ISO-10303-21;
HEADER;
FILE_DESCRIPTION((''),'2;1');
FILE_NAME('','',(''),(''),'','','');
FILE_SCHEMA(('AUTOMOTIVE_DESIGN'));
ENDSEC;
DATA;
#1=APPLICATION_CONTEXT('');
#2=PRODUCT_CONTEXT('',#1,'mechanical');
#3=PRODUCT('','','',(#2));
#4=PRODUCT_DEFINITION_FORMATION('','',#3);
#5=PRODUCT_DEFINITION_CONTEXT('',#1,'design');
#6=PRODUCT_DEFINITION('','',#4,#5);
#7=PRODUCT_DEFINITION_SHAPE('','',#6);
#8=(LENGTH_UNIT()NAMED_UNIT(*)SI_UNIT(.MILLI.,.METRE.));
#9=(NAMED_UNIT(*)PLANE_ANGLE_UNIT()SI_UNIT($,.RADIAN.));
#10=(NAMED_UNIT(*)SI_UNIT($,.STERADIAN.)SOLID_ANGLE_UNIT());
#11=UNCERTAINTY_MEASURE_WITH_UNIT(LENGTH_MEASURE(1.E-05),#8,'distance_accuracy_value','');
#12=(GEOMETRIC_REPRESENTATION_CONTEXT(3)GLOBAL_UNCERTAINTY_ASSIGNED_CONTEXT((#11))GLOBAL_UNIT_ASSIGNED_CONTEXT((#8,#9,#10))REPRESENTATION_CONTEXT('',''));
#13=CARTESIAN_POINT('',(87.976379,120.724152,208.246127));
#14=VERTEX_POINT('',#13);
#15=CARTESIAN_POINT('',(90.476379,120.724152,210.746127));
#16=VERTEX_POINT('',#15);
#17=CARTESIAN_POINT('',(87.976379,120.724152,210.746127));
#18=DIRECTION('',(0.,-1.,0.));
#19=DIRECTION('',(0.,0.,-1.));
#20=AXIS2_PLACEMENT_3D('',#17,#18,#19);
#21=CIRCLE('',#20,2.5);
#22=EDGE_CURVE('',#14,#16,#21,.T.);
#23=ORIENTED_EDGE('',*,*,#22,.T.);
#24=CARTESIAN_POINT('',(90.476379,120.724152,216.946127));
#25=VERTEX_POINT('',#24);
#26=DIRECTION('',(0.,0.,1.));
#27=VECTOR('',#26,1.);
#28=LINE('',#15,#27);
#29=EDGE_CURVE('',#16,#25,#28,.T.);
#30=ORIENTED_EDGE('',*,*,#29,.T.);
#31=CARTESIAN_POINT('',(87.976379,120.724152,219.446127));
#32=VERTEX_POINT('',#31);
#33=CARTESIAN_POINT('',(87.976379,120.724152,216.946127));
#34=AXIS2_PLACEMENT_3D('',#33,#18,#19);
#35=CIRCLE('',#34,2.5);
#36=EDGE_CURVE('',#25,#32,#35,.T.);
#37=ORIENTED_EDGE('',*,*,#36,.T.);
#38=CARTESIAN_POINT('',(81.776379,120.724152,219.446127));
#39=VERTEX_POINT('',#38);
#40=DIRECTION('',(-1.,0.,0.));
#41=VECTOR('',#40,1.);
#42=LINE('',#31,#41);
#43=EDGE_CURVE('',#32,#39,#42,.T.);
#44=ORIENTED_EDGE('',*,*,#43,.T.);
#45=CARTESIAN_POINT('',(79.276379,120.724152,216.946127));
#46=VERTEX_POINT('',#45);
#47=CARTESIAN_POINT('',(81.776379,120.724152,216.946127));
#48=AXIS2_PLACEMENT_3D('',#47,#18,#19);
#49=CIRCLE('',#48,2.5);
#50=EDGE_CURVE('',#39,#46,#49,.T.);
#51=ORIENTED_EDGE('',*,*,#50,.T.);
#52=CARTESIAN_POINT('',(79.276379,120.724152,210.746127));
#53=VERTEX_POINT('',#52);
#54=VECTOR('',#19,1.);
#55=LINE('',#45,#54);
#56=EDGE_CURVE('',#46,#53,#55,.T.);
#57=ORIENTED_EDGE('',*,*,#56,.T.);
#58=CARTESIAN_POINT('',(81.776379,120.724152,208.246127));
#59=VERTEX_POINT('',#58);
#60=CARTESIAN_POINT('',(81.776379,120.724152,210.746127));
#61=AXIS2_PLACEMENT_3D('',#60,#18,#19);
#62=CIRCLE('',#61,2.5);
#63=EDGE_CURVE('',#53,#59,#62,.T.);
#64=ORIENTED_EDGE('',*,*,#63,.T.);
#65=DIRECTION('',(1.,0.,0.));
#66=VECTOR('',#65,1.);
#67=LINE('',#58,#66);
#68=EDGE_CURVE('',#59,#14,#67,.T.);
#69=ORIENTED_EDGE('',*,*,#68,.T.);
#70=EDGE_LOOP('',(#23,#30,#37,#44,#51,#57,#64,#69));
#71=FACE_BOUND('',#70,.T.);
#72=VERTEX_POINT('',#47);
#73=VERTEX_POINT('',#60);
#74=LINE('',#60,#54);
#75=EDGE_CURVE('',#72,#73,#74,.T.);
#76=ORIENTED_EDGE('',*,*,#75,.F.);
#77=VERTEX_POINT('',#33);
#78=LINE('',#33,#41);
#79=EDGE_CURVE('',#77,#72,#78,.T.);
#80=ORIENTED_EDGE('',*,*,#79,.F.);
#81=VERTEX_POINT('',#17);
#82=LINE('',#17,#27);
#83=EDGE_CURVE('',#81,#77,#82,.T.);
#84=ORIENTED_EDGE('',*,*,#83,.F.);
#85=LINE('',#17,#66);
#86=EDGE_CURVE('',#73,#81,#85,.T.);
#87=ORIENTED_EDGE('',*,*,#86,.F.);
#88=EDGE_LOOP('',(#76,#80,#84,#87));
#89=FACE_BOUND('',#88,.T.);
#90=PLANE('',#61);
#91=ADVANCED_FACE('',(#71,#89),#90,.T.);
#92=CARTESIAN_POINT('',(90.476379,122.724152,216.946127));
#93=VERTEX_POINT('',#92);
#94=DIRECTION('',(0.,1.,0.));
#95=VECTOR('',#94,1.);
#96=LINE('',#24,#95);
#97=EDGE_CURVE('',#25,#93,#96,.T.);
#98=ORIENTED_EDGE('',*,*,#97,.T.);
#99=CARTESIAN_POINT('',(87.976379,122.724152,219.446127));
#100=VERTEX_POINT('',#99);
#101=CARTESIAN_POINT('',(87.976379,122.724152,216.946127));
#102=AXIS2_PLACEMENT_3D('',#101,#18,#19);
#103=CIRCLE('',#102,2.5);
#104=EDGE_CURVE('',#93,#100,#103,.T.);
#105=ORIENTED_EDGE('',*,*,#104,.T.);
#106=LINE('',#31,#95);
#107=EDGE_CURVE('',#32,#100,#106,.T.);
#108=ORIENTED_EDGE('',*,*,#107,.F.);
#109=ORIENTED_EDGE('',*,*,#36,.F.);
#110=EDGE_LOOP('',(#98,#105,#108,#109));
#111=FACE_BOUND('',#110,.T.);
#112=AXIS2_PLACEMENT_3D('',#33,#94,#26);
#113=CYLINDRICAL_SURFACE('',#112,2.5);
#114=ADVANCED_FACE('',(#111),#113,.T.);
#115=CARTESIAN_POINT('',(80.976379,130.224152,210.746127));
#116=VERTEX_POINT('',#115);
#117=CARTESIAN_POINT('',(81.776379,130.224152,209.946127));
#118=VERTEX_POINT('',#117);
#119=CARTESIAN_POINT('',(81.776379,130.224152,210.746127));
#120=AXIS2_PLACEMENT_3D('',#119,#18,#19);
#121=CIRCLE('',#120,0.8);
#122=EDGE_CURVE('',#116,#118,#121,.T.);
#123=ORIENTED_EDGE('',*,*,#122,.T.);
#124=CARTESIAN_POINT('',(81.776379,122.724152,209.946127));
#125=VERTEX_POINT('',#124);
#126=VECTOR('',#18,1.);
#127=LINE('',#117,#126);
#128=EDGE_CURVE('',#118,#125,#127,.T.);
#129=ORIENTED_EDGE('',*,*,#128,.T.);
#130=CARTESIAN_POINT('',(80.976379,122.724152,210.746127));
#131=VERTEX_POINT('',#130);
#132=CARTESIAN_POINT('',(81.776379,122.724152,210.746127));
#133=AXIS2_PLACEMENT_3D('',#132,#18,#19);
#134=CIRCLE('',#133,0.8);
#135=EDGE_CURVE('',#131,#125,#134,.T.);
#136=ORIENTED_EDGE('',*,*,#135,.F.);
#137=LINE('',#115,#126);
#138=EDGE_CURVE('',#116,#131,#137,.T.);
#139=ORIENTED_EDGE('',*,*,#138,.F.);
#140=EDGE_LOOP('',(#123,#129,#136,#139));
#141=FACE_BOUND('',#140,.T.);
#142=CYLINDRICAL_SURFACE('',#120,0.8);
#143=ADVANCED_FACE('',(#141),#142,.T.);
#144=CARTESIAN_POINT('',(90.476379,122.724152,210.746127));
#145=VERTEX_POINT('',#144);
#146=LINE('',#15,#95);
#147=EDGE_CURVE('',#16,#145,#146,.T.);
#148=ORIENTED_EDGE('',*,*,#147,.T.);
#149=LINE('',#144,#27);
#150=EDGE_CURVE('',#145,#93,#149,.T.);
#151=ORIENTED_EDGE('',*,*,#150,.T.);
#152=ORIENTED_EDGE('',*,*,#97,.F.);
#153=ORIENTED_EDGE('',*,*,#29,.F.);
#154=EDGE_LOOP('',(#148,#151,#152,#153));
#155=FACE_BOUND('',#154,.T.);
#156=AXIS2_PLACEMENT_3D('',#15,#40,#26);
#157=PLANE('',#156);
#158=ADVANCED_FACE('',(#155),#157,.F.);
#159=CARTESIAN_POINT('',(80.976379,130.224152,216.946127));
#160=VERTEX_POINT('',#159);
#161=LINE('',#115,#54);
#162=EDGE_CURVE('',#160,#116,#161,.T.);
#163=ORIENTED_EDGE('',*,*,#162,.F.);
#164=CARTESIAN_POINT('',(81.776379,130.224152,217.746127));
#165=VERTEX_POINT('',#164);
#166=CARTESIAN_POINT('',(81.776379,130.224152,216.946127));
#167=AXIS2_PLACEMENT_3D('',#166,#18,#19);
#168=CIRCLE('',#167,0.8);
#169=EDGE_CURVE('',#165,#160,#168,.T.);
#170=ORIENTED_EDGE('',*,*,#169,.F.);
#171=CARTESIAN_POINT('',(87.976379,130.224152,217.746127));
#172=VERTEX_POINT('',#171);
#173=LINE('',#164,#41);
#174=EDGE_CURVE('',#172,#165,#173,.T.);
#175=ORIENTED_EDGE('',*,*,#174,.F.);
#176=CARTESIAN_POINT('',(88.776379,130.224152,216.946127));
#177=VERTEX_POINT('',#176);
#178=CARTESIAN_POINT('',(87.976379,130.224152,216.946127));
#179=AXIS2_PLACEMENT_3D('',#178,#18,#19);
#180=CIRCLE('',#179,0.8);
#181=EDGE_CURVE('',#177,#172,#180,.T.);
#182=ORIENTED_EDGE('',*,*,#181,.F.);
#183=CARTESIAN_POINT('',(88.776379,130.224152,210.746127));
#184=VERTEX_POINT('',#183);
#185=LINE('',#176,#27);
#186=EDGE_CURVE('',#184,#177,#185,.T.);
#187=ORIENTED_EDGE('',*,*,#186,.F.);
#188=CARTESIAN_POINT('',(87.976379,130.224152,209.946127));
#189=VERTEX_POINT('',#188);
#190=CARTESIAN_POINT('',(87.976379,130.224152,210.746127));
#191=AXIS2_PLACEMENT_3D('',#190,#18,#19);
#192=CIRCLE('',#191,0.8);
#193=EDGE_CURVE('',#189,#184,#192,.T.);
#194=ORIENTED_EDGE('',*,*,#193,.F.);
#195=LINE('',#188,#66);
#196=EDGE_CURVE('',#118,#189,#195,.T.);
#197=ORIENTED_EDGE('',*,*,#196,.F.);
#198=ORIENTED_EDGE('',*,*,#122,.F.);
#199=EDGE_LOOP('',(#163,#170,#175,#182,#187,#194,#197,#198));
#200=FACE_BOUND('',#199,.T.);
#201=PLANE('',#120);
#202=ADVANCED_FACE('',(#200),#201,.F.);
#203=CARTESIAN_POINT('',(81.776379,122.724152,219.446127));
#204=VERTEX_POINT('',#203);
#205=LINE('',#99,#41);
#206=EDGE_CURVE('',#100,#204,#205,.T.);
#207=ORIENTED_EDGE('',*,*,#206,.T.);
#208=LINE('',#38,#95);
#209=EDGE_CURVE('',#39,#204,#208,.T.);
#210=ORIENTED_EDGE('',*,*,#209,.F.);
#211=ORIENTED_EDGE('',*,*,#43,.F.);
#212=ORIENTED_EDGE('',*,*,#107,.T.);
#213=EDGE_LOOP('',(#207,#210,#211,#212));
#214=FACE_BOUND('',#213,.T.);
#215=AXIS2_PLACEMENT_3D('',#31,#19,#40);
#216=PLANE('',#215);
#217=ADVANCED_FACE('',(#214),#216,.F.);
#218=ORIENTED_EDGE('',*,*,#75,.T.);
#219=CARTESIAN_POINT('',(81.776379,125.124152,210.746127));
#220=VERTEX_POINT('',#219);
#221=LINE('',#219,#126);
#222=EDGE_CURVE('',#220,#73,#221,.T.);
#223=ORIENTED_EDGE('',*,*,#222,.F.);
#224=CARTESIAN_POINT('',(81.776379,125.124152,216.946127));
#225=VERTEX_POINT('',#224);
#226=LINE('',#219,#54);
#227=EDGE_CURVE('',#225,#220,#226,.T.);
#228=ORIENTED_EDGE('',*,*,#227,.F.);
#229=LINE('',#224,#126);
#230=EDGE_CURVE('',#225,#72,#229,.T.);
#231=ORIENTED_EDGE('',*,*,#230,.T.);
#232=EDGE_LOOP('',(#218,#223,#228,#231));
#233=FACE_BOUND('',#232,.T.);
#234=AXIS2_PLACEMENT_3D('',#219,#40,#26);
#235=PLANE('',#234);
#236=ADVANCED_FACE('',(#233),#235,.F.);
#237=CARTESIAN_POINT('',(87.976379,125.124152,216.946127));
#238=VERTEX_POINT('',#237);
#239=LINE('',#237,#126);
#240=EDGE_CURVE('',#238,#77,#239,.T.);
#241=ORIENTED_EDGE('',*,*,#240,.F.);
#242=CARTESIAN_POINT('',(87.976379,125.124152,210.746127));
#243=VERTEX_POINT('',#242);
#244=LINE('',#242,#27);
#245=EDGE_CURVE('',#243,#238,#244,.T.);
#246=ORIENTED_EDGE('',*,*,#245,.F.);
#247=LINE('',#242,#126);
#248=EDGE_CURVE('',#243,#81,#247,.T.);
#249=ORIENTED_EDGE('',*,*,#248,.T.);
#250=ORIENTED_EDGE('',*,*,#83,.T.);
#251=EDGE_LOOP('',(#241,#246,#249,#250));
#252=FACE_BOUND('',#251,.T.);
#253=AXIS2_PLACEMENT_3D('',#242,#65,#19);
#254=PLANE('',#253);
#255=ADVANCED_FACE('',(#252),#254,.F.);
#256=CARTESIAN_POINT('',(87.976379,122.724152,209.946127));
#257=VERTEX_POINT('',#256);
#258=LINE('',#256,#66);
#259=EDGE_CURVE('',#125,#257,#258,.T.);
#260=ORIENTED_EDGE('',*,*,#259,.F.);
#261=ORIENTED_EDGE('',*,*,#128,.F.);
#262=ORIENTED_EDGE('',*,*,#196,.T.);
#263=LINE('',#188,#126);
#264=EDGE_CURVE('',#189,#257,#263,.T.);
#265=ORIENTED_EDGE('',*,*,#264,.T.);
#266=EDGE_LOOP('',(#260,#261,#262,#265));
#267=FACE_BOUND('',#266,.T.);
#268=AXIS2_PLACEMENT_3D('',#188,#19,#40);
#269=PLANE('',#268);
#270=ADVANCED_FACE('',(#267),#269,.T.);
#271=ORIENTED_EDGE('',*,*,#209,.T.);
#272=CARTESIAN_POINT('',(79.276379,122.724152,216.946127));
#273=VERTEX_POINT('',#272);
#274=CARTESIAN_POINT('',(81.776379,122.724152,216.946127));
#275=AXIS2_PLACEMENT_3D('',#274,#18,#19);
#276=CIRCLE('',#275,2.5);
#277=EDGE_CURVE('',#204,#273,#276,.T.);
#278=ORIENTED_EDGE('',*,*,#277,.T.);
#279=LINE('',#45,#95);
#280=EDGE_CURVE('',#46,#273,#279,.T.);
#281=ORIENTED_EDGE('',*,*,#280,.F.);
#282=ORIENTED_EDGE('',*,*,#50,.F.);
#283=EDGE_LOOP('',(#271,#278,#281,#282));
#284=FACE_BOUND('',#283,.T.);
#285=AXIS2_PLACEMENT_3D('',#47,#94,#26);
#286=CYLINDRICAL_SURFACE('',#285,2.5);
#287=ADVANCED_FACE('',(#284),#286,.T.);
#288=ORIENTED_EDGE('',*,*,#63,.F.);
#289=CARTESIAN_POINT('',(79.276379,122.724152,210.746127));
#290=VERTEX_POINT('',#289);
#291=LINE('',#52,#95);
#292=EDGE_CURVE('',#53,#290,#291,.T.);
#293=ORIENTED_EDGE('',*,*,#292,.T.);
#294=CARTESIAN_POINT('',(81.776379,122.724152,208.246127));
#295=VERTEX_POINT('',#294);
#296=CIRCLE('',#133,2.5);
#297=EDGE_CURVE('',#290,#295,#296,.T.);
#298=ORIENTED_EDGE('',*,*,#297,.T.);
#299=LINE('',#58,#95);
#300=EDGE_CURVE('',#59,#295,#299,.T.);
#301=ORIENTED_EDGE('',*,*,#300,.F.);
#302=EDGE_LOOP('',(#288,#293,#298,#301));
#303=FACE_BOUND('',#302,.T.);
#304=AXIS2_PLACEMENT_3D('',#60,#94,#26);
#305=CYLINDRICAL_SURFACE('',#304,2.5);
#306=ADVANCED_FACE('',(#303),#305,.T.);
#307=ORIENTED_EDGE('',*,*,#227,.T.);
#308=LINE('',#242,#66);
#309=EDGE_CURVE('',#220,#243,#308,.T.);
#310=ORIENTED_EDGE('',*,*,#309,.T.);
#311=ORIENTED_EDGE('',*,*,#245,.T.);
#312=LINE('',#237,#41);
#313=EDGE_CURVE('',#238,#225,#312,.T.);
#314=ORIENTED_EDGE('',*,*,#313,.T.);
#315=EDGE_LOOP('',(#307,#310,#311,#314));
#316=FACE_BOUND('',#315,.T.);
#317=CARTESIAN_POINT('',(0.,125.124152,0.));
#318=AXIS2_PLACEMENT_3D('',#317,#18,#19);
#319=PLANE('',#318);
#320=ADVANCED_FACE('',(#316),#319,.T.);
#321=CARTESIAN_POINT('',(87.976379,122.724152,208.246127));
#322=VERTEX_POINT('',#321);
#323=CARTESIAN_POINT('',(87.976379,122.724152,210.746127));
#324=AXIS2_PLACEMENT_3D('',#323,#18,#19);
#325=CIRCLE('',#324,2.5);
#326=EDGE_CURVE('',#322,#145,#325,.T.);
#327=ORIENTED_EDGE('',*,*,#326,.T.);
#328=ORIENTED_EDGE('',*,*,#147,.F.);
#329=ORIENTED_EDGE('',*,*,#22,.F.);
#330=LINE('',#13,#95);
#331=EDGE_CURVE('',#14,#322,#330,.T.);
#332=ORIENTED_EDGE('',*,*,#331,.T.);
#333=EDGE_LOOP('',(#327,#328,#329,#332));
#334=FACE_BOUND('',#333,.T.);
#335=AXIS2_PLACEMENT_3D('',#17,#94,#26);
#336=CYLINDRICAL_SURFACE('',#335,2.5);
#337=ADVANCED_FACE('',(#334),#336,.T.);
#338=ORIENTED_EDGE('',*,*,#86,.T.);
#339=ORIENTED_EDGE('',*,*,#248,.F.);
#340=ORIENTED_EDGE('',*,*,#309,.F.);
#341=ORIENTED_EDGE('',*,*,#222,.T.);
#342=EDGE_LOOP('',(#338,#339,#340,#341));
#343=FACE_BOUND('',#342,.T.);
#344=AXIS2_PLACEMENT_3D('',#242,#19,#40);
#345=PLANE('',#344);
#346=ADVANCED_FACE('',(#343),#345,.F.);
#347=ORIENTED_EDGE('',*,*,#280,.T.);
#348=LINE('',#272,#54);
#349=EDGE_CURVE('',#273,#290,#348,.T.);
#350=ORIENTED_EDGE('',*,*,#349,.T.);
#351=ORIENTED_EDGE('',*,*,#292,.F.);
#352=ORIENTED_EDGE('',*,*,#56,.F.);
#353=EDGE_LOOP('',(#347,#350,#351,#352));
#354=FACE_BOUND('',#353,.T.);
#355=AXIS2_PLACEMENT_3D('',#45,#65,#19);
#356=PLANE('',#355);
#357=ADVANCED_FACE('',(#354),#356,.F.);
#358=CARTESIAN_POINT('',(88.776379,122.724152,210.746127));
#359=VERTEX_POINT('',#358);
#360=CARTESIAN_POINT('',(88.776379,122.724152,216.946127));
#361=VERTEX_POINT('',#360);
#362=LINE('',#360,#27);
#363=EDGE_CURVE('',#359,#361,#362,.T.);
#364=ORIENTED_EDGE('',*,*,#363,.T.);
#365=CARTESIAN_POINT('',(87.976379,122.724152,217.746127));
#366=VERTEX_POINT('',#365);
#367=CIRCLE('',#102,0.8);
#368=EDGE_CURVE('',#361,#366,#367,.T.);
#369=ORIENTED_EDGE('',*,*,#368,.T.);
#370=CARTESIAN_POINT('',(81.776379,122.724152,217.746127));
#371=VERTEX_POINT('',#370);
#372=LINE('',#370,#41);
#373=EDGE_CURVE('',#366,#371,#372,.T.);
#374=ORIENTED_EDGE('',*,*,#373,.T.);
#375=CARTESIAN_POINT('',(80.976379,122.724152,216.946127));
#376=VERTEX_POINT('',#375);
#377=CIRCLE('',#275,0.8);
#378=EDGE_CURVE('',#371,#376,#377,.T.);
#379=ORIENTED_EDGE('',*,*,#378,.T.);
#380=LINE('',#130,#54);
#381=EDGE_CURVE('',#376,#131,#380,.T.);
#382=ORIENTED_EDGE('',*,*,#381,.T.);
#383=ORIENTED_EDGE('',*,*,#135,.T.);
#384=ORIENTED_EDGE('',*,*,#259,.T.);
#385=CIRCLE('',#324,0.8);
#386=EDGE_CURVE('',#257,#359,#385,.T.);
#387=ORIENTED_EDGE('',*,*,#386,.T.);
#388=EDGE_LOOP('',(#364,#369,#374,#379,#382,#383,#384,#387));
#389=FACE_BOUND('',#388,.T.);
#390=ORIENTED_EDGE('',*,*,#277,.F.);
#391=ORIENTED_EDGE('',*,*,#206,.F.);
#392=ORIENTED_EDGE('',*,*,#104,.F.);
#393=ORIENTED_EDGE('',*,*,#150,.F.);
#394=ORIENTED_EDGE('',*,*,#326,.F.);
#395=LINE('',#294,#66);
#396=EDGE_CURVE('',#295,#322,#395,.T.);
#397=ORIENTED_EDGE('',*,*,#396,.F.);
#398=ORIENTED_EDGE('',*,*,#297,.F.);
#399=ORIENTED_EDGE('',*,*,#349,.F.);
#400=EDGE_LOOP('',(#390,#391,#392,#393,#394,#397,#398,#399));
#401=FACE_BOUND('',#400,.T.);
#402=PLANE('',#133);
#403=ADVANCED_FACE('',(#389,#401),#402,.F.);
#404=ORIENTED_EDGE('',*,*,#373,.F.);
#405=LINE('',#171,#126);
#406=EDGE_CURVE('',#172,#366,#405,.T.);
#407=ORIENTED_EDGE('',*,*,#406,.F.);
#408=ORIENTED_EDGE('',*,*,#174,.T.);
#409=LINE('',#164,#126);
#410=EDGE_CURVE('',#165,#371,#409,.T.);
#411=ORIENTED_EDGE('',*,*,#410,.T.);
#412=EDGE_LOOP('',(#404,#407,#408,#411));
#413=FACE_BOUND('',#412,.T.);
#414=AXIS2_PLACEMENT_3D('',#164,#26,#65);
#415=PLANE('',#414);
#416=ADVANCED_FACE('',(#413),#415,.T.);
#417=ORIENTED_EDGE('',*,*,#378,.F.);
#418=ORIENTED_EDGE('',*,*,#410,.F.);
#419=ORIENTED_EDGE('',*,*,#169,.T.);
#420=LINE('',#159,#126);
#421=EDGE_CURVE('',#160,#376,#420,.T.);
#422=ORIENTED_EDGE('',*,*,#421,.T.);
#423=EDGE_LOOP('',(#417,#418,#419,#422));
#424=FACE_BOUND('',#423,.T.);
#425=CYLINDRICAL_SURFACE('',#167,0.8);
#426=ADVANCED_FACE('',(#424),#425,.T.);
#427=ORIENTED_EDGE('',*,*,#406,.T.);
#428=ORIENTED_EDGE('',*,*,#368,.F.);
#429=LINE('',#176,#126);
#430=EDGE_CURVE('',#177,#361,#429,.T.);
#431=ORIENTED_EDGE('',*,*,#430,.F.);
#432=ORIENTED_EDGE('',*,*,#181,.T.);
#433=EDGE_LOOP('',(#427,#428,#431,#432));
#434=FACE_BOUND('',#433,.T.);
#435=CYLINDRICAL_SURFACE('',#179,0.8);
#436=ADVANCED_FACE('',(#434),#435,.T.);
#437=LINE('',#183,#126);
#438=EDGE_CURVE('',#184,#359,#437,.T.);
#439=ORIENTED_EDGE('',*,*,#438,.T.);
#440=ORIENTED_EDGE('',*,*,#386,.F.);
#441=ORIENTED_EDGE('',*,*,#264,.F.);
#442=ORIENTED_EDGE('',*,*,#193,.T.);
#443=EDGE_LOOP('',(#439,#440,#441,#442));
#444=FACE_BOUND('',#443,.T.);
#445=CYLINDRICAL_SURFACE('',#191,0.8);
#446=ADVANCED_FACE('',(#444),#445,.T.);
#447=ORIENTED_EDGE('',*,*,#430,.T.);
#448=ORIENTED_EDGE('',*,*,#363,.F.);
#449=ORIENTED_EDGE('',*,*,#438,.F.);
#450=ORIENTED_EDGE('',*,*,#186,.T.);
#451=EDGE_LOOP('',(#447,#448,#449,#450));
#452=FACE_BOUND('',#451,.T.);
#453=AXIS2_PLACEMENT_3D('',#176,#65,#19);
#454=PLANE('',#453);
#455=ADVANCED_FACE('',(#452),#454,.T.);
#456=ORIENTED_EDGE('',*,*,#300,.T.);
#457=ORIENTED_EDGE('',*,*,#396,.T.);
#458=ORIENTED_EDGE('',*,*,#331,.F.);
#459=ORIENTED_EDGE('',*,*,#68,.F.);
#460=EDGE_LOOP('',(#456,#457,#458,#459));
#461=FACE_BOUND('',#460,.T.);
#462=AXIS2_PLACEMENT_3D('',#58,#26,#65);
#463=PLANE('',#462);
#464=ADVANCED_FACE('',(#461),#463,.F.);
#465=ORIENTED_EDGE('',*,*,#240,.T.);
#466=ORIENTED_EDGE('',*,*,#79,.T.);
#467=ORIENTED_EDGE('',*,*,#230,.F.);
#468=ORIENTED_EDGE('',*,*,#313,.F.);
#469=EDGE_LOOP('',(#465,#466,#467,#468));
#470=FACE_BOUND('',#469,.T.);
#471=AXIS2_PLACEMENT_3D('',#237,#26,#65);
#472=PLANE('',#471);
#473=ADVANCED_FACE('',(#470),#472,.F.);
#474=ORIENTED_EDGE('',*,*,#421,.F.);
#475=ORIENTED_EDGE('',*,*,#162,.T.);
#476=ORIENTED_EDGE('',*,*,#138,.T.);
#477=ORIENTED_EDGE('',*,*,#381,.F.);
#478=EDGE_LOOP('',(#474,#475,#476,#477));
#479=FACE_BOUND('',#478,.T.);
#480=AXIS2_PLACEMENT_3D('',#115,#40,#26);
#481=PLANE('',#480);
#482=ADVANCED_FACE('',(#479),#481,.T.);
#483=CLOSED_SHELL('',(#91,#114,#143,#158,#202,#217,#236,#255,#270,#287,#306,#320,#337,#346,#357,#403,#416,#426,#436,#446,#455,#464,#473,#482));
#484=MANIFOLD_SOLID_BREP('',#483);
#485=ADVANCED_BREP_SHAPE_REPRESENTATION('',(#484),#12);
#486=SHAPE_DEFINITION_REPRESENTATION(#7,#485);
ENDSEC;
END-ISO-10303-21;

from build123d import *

# Parameters (mm, degrees)
BOSS_EXTRUDE1_START = 1
BOSS_EXTRUDE1_DEPTH = 7.5
BOSS_EXTRUDE2_DEPTH = 2
SKETCH3_W           = 6.2
SKETCH3_H           = 6.2
CUT_EXTRUDE1_DEPTH  = 4.4


with BuildPart() as part:
    # Sketch1 → Boss-Extrude1 (new body)
    with BuildSketch(Plane.XZ.offset(-123.724152422).offset(BOSS_EXTRUDE1_START)):
        with BuildLine():
            Line((80.976379089, 210.746126643), (80.976379089, 216.946126643))
            ThreePointArc((80.976379089, 216.946126643), (81.210693664, 217.511812068), (81.776379089, 217.746126643))
            Line((81.776379089, 217.746126643), (87.976379089, 217.746126643))
            ThreePointArc((87.976379089, 217.746126643), (88.542064514, 217.511812068), (88.776379089, 216.946126643))
            Line((88.776379089, 216.946126643), (88.776379089, 210.746126643))
            ThreePointArc((88.776379089, 210.746126643), (88.542064514, 210.180441218), (87.976379089, 209.946126643))
            Line((87.976379089, 209.946126643), (81.776379089, 209.946126643))
            ThreePointArc((81.776379089, 209.946126643), (81.210693664, 210.180441218), (80.976379089, 210.746126643))
        make_face()
    extrude(amount=-BOSS_EXTRUDE1_DEPTH)

    # Sketch2 → Boss-Extrude2 (add)
    with BuildSketch(Plane.XZ.offset(-122.724152422)):
        with BuildLine():
            Line((81.776379089, 208.246126643), (87.976379089, 208.246126643))
            ThreePointArc((87.976379089, 208.246126643), (89.744146042, 208.97835969), (90.476379089, 210.746126643))
            Line((90.476379089, 210.746126643), (90.476379089, 216.946126643))
            ThreePointArc((90.476379089, 216.946126643), (89.744146042, 218.713893596), (87.976379089, 219.446126643))
            Line((87.976379089, 219.446126643), (81.776379089, 219.446126643))
            ThreePointArc((81.776379089, 219.446126643), (80.008612136, 218.713893596), (79.276379089, 216.946126643))
            Line((79.276379089, 216.946126643), (79.276379089, 210.746126643))
            ThreePointArc((79.276379089, 210.746126643), (80.008612136, 208.97835969), (81.776379089, 208.246126643))
        make_face()
    extrude(amount=BOSS_EXTRUDE2_DEPTH)

    # Sketch3 → Cut-Extrude1 (cut)
    with BuildSketch(Plane.XZ.offset(-120.724152422)):
        with Locations((84.876379089, 213.846126643)):
            Rectangle(SKETCH3_W, SKETCH3_H)
    extrude(amount=-CUT_EXTRUDE1_DEPTH, mode=Mode.SUBTRACT)


solid = part.part
